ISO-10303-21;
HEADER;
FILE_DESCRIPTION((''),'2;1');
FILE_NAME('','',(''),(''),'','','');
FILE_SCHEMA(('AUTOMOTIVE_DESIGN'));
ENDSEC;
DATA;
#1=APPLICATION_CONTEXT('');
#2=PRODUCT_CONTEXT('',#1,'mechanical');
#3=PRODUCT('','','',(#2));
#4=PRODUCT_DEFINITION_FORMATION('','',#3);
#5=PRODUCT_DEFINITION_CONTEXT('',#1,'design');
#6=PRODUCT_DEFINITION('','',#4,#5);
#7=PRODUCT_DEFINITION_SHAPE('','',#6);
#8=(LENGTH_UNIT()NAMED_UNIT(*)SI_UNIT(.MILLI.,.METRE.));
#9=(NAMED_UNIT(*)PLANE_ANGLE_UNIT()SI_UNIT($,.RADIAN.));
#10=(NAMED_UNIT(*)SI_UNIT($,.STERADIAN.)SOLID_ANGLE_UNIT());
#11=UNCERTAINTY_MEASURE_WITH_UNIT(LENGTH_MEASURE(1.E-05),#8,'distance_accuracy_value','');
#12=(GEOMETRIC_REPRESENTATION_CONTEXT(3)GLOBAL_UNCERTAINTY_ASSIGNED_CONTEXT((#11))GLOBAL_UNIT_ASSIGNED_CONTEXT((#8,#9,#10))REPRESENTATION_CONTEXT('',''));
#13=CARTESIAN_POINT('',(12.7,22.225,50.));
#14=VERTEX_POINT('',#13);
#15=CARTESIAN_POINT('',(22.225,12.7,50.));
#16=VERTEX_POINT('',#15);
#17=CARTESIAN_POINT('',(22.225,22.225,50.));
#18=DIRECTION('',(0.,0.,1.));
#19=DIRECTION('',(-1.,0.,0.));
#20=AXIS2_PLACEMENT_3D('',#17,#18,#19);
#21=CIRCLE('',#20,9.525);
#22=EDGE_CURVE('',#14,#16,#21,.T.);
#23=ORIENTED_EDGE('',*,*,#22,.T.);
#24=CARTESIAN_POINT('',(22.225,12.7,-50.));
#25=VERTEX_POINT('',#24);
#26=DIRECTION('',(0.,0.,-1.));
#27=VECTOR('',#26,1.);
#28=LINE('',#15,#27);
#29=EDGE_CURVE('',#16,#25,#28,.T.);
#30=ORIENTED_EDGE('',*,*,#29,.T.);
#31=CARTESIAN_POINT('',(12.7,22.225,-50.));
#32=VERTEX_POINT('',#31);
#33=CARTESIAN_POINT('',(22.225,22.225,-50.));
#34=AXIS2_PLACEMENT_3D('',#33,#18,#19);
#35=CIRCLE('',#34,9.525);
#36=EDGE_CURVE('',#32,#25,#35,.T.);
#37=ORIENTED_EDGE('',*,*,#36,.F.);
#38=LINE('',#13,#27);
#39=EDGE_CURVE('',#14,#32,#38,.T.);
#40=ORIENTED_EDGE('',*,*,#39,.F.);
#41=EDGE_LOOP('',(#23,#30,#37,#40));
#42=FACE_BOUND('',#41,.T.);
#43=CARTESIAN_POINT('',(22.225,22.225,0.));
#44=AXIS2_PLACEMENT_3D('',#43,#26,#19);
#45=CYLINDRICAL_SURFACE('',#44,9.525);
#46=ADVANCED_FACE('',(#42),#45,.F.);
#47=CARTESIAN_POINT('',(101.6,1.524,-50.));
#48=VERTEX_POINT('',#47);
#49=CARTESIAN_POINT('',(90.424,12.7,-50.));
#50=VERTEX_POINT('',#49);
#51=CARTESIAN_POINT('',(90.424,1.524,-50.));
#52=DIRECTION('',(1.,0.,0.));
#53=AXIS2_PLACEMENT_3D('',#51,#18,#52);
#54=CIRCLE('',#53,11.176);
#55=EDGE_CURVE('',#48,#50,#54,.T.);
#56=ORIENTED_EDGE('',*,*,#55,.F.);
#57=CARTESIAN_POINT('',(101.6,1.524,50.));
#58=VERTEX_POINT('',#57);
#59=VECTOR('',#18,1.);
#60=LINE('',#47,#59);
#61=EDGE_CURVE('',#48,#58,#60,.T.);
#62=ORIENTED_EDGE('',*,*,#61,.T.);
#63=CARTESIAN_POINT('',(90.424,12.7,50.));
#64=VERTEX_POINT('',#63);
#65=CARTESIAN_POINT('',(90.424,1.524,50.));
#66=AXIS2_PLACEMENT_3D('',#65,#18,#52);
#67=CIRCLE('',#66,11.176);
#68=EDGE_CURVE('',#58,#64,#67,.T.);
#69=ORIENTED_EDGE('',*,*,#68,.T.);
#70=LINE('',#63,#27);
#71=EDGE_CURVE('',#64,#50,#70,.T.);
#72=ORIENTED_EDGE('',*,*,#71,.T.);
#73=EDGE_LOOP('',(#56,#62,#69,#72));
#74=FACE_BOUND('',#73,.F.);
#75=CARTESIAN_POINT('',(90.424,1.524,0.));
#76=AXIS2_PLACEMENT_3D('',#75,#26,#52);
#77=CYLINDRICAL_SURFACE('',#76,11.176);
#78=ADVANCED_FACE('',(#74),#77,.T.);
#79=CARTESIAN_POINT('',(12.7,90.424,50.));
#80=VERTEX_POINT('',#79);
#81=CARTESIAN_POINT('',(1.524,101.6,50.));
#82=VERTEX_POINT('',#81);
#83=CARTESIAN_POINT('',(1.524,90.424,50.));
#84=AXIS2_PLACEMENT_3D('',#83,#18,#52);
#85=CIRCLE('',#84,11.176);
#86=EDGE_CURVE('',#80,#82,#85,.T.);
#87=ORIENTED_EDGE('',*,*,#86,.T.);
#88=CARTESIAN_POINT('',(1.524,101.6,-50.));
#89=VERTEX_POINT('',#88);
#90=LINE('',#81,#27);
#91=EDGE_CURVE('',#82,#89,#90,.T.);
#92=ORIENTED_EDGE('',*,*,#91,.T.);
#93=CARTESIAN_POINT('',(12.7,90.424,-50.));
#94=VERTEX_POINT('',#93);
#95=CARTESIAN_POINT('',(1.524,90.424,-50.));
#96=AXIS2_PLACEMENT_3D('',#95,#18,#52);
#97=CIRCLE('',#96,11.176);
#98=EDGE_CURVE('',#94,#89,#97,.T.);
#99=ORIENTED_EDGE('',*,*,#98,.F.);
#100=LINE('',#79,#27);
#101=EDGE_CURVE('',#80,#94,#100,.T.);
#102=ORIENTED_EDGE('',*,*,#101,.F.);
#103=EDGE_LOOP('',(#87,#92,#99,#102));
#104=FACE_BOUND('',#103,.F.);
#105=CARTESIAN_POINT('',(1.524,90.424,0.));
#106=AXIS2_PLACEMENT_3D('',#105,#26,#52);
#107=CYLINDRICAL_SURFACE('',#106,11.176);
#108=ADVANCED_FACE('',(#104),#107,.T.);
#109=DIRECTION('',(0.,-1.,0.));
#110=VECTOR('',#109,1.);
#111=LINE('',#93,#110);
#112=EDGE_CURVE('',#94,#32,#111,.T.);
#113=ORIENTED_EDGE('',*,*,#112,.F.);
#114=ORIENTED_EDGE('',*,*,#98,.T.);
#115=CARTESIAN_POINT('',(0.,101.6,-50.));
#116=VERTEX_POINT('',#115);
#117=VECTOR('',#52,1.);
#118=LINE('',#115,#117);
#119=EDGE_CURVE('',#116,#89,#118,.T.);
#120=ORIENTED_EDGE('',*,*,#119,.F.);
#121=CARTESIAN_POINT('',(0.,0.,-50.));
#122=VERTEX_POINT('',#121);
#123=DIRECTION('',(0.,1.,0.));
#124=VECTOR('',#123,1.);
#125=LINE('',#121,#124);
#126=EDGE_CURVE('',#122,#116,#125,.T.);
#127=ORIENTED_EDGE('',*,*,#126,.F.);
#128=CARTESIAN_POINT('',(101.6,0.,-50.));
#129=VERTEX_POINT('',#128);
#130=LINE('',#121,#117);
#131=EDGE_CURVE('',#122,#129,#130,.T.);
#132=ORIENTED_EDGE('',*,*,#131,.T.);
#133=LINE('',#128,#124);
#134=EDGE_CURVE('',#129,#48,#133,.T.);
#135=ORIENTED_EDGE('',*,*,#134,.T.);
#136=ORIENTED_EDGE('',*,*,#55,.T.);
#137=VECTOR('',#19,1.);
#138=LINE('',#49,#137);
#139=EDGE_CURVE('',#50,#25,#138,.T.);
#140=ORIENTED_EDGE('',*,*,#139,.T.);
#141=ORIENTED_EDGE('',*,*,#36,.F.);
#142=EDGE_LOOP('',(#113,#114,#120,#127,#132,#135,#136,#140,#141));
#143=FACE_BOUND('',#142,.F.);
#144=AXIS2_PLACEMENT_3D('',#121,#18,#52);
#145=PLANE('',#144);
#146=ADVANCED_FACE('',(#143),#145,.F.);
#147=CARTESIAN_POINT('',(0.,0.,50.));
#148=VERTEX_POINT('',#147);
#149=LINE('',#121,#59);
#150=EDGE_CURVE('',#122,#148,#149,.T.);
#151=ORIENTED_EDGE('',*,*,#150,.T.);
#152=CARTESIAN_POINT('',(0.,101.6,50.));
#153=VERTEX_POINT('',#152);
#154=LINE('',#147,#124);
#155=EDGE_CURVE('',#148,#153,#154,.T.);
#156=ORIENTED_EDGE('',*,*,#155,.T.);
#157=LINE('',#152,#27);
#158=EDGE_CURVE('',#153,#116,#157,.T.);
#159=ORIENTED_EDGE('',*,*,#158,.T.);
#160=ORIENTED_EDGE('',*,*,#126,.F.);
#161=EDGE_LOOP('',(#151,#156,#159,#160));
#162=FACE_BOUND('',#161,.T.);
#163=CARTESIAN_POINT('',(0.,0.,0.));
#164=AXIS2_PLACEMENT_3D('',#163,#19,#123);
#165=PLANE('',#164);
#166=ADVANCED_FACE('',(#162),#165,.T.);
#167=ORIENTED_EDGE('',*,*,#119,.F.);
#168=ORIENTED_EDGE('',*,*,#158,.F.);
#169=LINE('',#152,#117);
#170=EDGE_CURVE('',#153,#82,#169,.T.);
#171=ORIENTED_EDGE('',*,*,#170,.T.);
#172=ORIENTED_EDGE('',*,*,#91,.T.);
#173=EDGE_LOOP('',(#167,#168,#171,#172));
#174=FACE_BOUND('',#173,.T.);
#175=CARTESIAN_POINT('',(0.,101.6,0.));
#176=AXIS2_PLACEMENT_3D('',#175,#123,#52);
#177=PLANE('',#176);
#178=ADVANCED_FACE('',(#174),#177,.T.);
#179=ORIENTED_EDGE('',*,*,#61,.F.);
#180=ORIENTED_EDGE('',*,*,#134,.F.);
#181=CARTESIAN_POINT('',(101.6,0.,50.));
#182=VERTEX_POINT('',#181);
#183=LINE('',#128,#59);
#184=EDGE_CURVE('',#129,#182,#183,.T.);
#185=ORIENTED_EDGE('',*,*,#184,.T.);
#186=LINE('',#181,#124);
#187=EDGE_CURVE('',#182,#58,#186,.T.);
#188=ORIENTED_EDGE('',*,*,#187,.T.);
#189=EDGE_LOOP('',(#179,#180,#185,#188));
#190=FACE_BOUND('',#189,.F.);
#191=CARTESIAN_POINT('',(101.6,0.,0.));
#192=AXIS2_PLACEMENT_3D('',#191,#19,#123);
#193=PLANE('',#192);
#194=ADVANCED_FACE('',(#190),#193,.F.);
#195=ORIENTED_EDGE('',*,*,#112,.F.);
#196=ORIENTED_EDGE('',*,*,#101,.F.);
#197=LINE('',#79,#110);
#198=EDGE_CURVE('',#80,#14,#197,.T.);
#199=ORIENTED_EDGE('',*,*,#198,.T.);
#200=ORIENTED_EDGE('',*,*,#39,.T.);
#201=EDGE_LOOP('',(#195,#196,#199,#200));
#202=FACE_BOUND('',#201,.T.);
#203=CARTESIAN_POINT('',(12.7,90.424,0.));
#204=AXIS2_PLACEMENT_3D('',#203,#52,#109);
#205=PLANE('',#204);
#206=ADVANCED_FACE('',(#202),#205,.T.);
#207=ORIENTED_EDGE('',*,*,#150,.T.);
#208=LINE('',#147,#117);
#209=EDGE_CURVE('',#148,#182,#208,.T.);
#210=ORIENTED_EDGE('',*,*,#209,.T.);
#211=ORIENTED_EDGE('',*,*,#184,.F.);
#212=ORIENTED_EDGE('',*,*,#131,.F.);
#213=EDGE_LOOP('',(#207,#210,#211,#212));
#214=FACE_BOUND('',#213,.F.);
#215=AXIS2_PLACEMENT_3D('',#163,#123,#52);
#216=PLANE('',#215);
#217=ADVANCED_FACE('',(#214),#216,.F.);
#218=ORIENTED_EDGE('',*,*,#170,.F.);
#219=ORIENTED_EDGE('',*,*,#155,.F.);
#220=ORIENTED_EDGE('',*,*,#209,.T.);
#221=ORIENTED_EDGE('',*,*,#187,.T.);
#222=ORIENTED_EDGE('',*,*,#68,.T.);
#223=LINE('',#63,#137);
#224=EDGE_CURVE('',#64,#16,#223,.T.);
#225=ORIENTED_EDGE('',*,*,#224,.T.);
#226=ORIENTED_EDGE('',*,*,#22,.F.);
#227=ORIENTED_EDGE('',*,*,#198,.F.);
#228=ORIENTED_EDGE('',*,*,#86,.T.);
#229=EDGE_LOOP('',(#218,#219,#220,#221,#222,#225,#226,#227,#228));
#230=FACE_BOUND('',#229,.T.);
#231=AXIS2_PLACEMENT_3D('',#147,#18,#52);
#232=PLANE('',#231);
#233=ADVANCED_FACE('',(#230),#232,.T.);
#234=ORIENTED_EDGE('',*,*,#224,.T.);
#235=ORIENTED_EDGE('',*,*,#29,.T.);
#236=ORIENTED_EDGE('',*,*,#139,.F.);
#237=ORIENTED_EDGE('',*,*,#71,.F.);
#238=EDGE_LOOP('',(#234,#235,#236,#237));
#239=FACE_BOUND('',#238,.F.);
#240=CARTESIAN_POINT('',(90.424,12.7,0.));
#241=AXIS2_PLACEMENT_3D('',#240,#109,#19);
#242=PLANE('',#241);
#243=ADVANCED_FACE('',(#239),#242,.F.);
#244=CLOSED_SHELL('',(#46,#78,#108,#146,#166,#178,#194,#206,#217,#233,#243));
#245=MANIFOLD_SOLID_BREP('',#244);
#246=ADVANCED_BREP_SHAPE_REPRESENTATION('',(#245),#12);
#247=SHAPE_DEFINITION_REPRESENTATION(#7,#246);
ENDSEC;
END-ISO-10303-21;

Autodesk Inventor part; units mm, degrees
ref_plane "YZ Plane" through (0, 0, 0) normal (1, 0, 0) x (0, 1, 0)
ref_plane "XZ Plane" through (0, 0, 0) normal (0, 1, 0) x (-1, 0, 0)
ref_plane "XY Plane" through (0, 0, 0) normal (0, 0, 1) x (1, 0, 0)
sketch "Sketch1" plane through (0, 0, 0) normal (0, 0, 1) x (1, 0, 0)
  line L0 (0, 0) -> (0, 101.6)
  line L1 (0, 101.6) -> (1.524, 101.6)
  line L2 (12.7, 90.424) -> (12.7, 22.225)
  line L3 (0, 0) -> (101.6, 0)
  line L4 (101.6, 0) -> (101.6, 1.524)
  line L5 (90.424, 12.7) -> (22.225, 12.7)
  arc A0 (12.7, 22.225) -> (22.225, 12.7) centre (22.225, 22.225) ccw
  arc A1 (12.7, 90.424) -> (1.524, 101.6) centre (1.524, 90.424) ccw
  arc A2 (101.6, 1.524) -> (90.424, 12.7) centre (90.424, 1.524) ccw
  dimension "thickness" = 12.7
  dimension "d3" = 12.7
  dimension "LegSize" = 101.6
  dimension "d5" = 101.6
  dimension "radius" = 9.525
  dimension "d7" = 11.176
  dimension "d8" = 11.176
extrude "4\" X 4\" X 1/2\"" add sketch "Sketch1" along normal mid plane 100
equation "\"d3\" = thickness"
equation "\"d5\" = LegSize"
properties part number "ANGLE IRON, 4 X 4 X 0.50 THK" material "Angle Iron"
